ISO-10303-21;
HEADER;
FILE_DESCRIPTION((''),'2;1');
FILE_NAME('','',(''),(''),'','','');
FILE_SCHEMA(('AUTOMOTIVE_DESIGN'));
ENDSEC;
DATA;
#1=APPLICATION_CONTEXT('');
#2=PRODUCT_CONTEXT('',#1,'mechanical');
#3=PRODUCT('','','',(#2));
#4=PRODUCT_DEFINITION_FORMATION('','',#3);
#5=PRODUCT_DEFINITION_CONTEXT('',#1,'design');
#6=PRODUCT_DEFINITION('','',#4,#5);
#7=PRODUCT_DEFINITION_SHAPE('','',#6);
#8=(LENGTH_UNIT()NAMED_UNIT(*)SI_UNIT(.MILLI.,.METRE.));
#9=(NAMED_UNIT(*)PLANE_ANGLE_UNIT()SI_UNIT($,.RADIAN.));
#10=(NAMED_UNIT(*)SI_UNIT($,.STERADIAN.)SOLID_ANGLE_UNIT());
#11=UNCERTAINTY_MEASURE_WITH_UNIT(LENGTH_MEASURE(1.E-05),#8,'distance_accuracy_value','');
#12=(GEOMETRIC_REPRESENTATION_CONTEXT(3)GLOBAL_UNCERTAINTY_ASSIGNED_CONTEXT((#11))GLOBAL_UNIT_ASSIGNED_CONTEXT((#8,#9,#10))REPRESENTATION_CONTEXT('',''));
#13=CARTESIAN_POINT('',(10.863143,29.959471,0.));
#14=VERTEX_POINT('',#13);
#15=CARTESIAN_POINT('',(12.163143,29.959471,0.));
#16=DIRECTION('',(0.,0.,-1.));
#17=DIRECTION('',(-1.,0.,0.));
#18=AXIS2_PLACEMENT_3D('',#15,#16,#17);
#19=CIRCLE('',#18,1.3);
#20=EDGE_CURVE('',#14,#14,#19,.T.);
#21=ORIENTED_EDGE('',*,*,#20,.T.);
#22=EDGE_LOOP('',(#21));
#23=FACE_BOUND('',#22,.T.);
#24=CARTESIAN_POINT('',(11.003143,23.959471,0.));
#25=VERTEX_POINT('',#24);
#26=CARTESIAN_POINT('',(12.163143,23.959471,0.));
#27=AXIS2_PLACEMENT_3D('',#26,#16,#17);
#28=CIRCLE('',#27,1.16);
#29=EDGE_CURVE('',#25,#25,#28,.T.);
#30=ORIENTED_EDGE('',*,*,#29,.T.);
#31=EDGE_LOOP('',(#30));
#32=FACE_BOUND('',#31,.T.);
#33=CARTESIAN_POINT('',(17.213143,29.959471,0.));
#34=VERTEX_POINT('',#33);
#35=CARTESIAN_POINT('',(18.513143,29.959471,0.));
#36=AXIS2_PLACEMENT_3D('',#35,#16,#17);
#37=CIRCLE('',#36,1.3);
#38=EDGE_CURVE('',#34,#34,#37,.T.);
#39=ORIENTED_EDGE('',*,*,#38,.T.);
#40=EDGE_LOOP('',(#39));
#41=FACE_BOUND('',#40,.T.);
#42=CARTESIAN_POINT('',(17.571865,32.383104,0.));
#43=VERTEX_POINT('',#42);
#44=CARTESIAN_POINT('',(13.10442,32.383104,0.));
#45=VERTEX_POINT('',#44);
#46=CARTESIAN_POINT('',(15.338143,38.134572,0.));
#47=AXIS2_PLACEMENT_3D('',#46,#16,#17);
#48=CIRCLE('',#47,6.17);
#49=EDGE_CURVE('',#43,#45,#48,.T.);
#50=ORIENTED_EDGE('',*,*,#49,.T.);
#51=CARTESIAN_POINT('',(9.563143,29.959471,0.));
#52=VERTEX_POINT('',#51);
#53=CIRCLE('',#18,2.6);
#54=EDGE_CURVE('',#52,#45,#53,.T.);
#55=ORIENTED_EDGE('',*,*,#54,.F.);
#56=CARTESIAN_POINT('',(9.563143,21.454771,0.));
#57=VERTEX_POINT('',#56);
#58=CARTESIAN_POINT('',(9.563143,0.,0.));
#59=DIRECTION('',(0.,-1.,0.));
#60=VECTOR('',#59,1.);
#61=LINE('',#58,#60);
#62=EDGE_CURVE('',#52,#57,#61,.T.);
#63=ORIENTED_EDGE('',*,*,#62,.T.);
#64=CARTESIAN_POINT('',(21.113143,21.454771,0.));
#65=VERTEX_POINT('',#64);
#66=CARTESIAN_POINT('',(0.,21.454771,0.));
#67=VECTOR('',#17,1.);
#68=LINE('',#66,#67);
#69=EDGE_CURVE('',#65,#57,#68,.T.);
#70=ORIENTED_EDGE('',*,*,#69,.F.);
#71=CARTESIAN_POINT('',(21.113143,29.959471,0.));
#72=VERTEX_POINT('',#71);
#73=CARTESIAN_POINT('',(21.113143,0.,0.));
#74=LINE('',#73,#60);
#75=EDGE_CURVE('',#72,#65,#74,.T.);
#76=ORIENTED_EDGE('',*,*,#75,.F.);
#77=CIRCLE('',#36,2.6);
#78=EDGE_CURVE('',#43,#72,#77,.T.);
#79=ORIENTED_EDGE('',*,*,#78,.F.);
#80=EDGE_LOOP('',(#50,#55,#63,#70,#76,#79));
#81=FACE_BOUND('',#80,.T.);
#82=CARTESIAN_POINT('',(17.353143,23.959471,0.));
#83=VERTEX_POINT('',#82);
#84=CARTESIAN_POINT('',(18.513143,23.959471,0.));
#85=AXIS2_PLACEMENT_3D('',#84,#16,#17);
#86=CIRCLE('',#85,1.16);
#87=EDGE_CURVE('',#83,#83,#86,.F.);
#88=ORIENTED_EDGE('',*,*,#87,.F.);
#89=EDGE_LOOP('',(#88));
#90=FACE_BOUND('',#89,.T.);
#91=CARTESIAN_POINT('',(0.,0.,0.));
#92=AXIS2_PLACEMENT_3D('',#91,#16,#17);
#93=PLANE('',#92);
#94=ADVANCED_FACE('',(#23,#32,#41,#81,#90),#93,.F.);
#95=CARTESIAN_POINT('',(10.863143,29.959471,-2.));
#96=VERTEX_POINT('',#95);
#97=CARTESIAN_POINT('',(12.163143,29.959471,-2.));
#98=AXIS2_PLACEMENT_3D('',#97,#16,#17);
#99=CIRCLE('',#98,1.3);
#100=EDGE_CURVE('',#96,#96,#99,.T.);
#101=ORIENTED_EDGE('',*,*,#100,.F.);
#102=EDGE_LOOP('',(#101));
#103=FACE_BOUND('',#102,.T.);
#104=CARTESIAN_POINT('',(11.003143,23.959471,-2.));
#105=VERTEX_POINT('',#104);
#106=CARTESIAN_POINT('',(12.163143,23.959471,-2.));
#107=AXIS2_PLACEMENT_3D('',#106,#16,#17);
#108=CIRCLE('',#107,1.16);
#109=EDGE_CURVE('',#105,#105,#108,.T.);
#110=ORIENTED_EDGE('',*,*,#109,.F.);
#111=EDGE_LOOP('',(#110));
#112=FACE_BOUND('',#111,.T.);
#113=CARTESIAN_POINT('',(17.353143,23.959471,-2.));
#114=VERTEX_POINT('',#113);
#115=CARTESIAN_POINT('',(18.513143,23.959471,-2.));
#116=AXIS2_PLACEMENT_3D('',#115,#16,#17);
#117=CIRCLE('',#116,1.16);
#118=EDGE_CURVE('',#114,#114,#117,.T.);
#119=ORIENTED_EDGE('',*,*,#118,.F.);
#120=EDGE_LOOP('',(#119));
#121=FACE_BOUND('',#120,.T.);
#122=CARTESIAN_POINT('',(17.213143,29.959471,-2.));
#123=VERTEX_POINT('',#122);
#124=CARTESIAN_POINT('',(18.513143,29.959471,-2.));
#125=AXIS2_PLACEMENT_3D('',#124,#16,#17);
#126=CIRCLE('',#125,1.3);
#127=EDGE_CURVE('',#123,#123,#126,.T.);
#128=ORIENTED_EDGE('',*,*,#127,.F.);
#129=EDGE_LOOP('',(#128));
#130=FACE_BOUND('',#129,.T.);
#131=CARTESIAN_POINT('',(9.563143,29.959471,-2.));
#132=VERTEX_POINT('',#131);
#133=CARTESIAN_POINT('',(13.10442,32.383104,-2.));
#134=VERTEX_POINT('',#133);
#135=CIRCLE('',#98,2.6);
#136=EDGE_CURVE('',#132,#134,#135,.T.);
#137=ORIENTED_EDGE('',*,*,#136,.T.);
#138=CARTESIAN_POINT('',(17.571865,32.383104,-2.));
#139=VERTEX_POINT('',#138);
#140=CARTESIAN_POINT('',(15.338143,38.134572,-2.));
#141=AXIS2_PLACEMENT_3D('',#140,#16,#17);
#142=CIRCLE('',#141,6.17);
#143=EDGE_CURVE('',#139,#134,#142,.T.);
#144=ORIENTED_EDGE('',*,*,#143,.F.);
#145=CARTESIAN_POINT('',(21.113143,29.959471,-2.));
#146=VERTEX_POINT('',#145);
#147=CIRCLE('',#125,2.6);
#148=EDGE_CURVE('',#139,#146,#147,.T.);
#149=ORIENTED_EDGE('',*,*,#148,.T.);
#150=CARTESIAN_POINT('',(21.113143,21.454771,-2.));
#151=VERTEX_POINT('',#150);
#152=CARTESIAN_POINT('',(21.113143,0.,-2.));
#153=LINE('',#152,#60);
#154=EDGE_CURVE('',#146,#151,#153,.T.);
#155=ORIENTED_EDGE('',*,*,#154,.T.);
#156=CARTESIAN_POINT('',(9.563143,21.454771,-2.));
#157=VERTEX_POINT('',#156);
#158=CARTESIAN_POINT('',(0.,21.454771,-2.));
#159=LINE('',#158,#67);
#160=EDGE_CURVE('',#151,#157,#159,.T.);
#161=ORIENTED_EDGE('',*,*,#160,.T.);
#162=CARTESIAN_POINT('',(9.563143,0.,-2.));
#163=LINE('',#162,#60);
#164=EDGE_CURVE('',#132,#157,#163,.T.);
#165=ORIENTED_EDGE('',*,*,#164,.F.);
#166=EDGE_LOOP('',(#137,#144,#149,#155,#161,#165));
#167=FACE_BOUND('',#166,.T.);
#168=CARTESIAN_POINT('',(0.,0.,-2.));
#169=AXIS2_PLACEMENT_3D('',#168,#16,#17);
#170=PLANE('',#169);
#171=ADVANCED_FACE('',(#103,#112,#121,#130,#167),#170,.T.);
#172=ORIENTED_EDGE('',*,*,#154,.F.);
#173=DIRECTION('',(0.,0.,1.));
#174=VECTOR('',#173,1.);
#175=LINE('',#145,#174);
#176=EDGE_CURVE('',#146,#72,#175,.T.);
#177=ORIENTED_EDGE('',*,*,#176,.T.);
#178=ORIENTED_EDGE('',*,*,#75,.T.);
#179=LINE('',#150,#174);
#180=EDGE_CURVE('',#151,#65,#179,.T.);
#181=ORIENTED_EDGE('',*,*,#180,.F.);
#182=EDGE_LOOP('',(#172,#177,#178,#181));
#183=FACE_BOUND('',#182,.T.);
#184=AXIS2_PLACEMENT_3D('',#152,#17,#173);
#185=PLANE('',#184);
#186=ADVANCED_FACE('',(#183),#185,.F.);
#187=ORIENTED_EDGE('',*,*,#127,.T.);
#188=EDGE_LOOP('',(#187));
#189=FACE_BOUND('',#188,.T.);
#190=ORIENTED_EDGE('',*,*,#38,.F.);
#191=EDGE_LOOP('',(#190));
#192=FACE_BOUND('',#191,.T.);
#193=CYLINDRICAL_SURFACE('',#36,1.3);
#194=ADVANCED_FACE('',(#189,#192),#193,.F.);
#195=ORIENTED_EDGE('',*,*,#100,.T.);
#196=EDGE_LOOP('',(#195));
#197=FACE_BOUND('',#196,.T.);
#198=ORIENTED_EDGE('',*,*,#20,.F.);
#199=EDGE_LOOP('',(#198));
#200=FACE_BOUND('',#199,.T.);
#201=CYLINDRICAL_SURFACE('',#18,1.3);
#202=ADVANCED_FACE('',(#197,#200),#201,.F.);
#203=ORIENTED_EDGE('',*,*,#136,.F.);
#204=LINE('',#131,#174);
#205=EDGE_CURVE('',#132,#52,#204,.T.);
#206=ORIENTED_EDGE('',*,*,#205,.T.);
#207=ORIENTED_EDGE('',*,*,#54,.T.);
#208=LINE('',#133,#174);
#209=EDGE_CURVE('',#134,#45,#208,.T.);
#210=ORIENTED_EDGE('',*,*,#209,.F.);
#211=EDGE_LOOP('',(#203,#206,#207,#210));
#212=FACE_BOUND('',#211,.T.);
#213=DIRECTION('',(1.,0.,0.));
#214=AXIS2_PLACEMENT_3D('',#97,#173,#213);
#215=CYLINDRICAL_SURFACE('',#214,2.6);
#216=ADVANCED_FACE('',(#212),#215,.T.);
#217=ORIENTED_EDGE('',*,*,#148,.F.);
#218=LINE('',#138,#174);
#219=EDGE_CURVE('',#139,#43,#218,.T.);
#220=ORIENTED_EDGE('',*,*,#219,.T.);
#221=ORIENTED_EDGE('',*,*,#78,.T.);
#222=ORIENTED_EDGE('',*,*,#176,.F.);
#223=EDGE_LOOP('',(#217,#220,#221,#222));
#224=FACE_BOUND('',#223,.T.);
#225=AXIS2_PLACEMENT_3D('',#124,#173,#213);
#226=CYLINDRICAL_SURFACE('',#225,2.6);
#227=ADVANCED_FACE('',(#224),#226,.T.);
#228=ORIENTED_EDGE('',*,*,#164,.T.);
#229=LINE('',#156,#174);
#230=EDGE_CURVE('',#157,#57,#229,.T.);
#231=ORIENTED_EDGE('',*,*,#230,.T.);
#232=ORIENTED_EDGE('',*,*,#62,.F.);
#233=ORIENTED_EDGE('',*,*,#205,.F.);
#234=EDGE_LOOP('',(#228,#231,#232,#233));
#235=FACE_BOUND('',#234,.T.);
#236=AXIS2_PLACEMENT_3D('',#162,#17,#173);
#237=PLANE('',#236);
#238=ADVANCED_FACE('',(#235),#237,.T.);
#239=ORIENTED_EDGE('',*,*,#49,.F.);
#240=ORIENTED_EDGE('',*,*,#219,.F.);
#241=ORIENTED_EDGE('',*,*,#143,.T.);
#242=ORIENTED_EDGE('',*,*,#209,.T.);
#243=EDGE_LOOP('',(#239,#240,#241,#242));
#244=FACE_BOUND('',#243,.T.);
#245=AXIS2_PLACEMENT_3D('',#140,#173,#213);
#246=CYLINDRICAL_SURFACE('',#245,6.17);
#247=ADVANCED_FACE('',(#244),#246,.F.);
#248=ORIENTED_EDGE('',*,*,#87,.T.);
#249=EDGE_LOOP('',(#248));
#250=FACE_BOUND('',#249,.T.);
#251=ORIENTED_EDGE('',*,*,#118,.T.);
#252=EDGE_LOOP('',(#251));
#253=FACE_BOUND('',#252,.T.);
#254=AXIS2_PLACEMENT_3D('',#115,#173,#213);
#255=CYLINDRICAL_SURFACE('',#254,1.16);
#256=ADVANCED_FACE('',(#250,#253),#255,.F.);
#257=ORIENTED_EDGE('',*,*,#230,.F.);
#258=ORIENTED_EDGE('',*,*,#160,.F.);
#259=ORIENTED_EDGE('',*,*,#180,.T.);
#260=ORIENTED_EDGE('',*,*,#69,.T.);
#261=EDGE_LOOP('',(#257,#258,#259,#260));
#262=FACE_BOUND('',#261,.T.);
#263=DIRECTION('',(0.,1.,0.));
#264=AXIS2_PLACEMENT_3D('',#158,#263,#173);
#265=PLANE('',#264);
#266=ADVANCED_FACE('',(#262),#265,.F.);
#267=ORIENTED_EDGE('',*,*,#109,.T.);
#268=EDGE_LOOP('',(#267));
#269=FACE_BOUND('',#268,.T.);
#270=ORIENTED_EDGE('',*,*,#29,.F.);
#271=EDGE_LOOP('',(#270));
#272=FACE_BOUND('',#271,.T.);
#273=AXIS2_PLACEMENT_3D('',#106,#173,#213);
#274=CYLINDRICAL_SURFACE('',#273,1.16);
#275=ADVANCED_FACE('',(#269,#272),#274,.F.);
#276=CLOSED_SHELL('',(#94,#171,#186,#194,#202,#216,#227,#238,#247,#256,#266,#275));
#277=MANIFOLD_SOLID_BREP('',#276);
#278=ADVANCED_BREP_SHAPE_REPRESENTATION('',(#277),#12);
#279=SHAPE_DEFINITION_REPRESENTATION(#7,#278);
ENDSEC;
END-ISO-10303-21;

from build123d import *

# Parameters (mm, degrees)
BOSS_EXTRUDE1_DEPTH = 6.18
SKETCH2_R           = 2.1
CUT_EXTRUDE1_DEPTH  = 45.955560266
FILLET1_R           = 2
SKETCH3_R           = 1.16
BOSS_EXTRUDE2_DEPTH = 2
SKETCH5_W           = 46.23261583
SKETCH5_H           = 41.700006435
CUT_EXTRUDE2_DEPTH  = 6.18
SKETCH9_R           = 1.3
CUT_EXTRUDE3_DEPTH  = 39.857224753


with BuildPart() as part:
    # Sketch1 → Boss-Extrude1 (new body)
    with BuildSketch(Plane.XY):
        Polygon((0, 0), (0, 10), (7.5, 10), (12.499244943, 14.999244943), (12.499244943, 34.4), (24.749244943, 34.4), (24.749244943, 14.999244943), (29.748489886, 10), (37.248489886, 10), (37.248489886, 0), align=None)
    extrude(amount=BOSS_EXTRUDE1_DEPTH)

    # Sketch2 → Cut-Extrude1 (cut, through all)
    with BuildSketch(Plane(origin=(0, 10, 0), x_dir=(1, 0, 0), z_dir=(0, 1, 0))):
        with Locations(Location((3.75, -3.09, 0), (0, 0, 270))):
            Circle(SKETCH2_R)
        with Locations(Location((33.498489886, -3.09, 0), (0, 0, 270))):
            Circle(SKETCH2_R)
    extrude(amount=-CUT_EXTRUDE1_DEPTH, mode=Mode.SUBTRACT)

    # Fillet1
    fillet1_edges = [part.edges().sort_by_distance(p)[0] for p in [
        (0, 5, 0),
        (37.248489886, 5, 0),
        (12.499244943, 34.4, 3.09),
        (24.749244943, 34.4, 3.09),
        (0, 5, 6.18),
        (37.248489886, 5, 6.18),
    ]]
    fillet(fillet1_edges, radius=FILLET1_R)

    # Sketch3 → Boss-Extrude2 (add)
    # profile 1 of 15: a face of its own
    with BuildSketch(Plane(origin=(0, 0, 0), x_dir=(-1, 0, 0), z_dir=(0, 0, -1))):
        with BuildLine():
            Line((-14.76314253, 29.959470635), (-15.91314253, 29.959470635))
            ThreePointArc((-15.91314253, 29.959470635), (-18.51314253, 27.359470635), (-21.11314253, 29.959470635))
            Line((-21.11314253, 29.959470635), (-21.11314253, 21.454771123))
            Line((-21.11314253, 21.454771123), (-12.499244943, 21.454771123))
            Line((-12.499244943, 21.454771123), (-12.499244943, 22.849229594))
            ThreePointArc((-12.499244943, 22.849229594), (-13.32314253, 23.959470635), (-12.499244943, 25.069711675))
            Line((-12.499244943, 25.069711675), (-12.499244943, 27.381286163))
            ThreePointArc((-12.499244943, 27.381286163), (-14.116839829, 28.243933732), (-14.76314253, 29.959470635))
        make_face()
        with Locations((-18.51314253, 23.959470635)):
            Circle(SKETCH3_R, mode=Mode.SUBTRACT)
    # profile 2 of 15: a face of its own
    with BuildSketch(Plane(origin=(0, 0, 0), x_dir=(-1, 0, 0), z_dir=(0, 0, -1))):
        with BuildLine():
            ThreePointArc((-9.56314253, 29.959470635), (-10.447605628, 28.005773335), (-12.499244943, 27.381286163))
            Line((-12.499244943, 27.381286163), (-12.499244943, 25.069711675))
            ThreePointArc((-12.499244943, 25.069711675), (-11.47186791, 24.890995943), (-11.00314253, 23.959470635))
            ThreePointArc((-11.00314253, 23.959470635), (-11.47186791, 23.027945327), (-12.499244943, 22.849229594))
            Line((-12.499244943, 22.849229594), (-12.499244943, 21.454771123))
            Line((-12.499244943, 21.454771123), (-9.56314253, 21.454771123))
            Line((-9.56314253, 21.454771123), (-9.56314253, 29.959470635))
        make_face()
    # profile 3 of 15: a face of its own
    with BuildSketch(Plane(origin=(0, 0, 0), x_dir=(-1, 0, 0), z_dir=(0, 0, -1))):
        with BuildLine():
            Line((-13.31814253, 29.959470635), (-14.76314253, 29.959470635))
            ThreePointArc((-14.76314253, 29.959470635), (-14.116839829, 28.243933732), (-12.499244943, 27.381286163))
            Line((-12.499244943, 27.381286163), (-12.499244943, 28.854454722))
            ThreePointArc((-12.499244943, 28.854454722), (-13.091103544, 29.271783673), (-13.31814253, 29.959470635))
        make_face()
    # profile 4 of 15: a face of its own
    with BuildSketch(Plane(origin=(0, 0, 0), x_dir=(-1, 0, 0), z_dir=(0, 0, -1))):
        with BuildLine():
            Line((-12.499244943, 28.854454722), (-12.499244943, 27.381286163))
            ThreePointArc((-12.499244943, 27.381286163), (-10.447605628, 28.005773335), (-9.56314253, 29.959470635))
            Line((-9.56314253, 29.959470635), (-11.00814253, 29.959470635))
            ThreePointArc((-11.00814253, 29.959470635), (-11.475455569, 29.031509621), (-12.499244943, 28.854454722))
        make_face()
    # profile 5 of 15: a face of its own
    with BuildSketch(Plane(origin=(0, 0, 0), x_dir=(-1, 0, 0), z_dir=(0, 0, -1))):
        with BuildLine():
            Line((-13.31814253, 29.959470635), (-14.76314253, 29.959470635))
            ThreePointArc((-14.76314253, 29.959470635), (-14.116839829, 28.243933732), (-12.499244943, 27.381286163))
            Line((-12.499244943, 27.381286163), (-12.499244943, 28.854454722))
            ThreePointArc((-12.499244943, 28.854454722), (-13.091103544, 29.271783673), (-13.31814253, 29.959470635))
        make_face()
    # profile 6 of 15: a face of its own
    with BuildSketch(Plane(origin=(0, 0, 0), x_dir=(-1, 0, 0), z_dir=(0, 0, -1))):
        with BuildLine():
            Line((-12.499244943, 28.854454722), (-12.499244943, 27.381286163))
            ThreePointArc((-12.499244943, 27.381286163), (-10.447605628, 28.005773335), (-9.56314253, 29.959470635))
            Line((-9.56314253, 29.959470635), (-11.00814253, 29.959470635))
            ThreePointArc((-11.00814253, 29.959470635), (-11.475455569, 29.031509621), (-12.499244943, 28.854454722))
        make_face()
    # profile 7 of 15: a face of its own
    with BuildSketch(Plane(origin=(0, 0, 0), x_dir=(-1, 0, 0), z_dir=(0, 0, -1))):
        with BuildLine():
            ThreePointArc((-13.104419545, 32.383103771), (-14.308756689, 31.427918755), (-14.76314253, 29.959470635))
            Line((-14.76314253, 29.959470635), (-13.31814253, 29.959470635))
            ThreePointArc((-13.31814253, 29.959470635), (-13.091103544, 30.647157596), (-12.499244943, 31.064486548))
            Line((-12.499244943, 31.064486548), (-12.499244943, 32.4))
            ThreePointArc((-12.499244943, 32.4), (-12.500420382, 32.468559287), (-12.503945319, 32.537037988))
            ThreePointArc((-12.503945319, 32.537037988), (-12.808786466, 32.478030522), (-13.104419545, 32.383103771))
        make_face()
    # profile 8 of 15: a face of its own
    with BuildSketch(Plane(origin=(0, 0, 0), x_dir=(-1, 0, 0), z_dir=(0, 0, -1))):
        with BuildLine():
            Line((-12.499244943, 32.4), (-12.499244943, 31.064486548))
            ThreePointArc((-12.499244943, 31.064486548), (-11.475455569, 30.887431649), (-11.00814253, 29.959470635))
            Line((-11.00814253, 29.959470635), (-9.56314253, 29.959470635))
            ThreePointArc((-9.56314253, 29.959470635), (-10.449387479, 31.914731135), (-12.503945319, 32.537037988))
            ThreePointArc((-12.503945319, 32.537037988), (-12.500420382, 32.468559287), (-12.499244943, 32.4))
        make_face()
    # profile 9 of 15: a face of its own
    with BuildSketch(Plane(origin=(0, 0, 0), x_dir=(-1, 0, 0), z_dir=(0, 0, -1))):
        with BuildLine():
            ThreePointArc((-13.104419545, 32.383103771), (-14.308756689, 31.427918755), (-14.76314253, 29.959470635))
            Line((-14.76314253, 29.959470635), (-13.31814253, 29.959470635))
            ThreePointArc((-13.31814253, 29.959470635), (-13.091103544, 30.647157596), (-12.499244943, 31.064486548))
            Line((-12.499244943, 31.064486548), (-12.499244943, 32.4))
            ThreePointArc((-12.499244943, 32.4), (-12.500420382, 32.468559287), (-12.503945319, 32.537037988))
            ThreePointArc((-12.503945319, 32.537037988), (-12.808786466, 32.478030522), (-13.104419545, 32.383103771))
        make_face()
    # profile 10 of 15: a face of its own
    with BuildSketch(Plane(origin=(0, 0, 0), x_dir=(-1, 0, 0), z_dir=(0, 0, -1))):
        with BuildLine():
            Line((-12.499244943, 32.4), (-12.499244943, 31.064486548))
            ThreePointArc((-12.499244943, 31.064486548), (-11.475455569, 30.887431649), (-11.00814253, 29.959470635))
            Line((-11.00814253, 29.959470635), (-9.56314253, 29.959470635))
            ThreePointArc((-9.56314253, 29.959470635), (-10.449387479, 31.914731135), (-12.503945319, 32.537037988))
            ThreePointArc((-12.503945319, 32.537037988), (-12.500420382, 32.468559287), (-12.499244943, 32.4))
        make_face()
    # profile 11 of 15: a face of its own
    with BuildSketch(Plane(origin=(0, 0, 0), x_dir=(-1, 0, 0), z_dir=(0, 0, -1))):
        with BuildLine():
            ThreePointArc((-19.66814253, 29.959470635), (-18.51314253, 31.114470635), (-17.35814253, 29.959470635))
            Line((-17.35814253, 29.959470635), (-15.91314253, 29.959470635))
            ThreePointArc((-15.91314253, 29.959470635), (-16.367528354, 31.42791873), (-17.571865459, 32.38310375))
            ThreePointArc((-17.571865459, 32.38310375), (-19.981590625, 32.105084811), (-21.11314253, 29.959470635))
            Line((-21.11314253, 29.959470635), (-19.66814253, 29.959470635))
        make_face()
    # profile 12 of 15: a face of its own
    with BuildSketch(Plane(origin=(0, 0, 0), x_dir=(-1, 0, 0), z_dir=(0, 0, -1))):
        with BuildLine():
            Line((-15.91314253, 29.959470635), (-17.35814253, 29.959470635))
            ThreePointArc((-17.35814253, 29.959470635), (-18.51314253, 28.804470635), (-19.66814253, 29.959470635))
            Line((-19.66814253, 29.959470635), (-21.11314253, 29.959470635))
            ThreePointArc((-21.11314253, 29.959470635), (-18.51314253, 27.359470635), (-15.91314253, 29.959470635))
        make_face()
    # profile 13 of 15: a face of its own
    with BuildSketch(Plane(origin=(0, 0, 0), x_dir=(-1, 0, 0), z_dir=(0, 0, -1))):
        with BuildLine():
            ThreePointArc((-19.66814253, 29.959470635), (-18.51314253, 31.114470635), (-17.35814253, 29.959470635))
            Line((-17.35814253, 29.959470635), (-15.91314253, 29.959470635))
            ThreePointArc((-15.91314253, 29.959470635), (-16.367528354, 31.42791873), (-17.571865459, 32.38310375))
            ThreePointArc((-17.571865459, 32.38310375), (-19.981590625, 32.105084811), (-21.11314253, 29.959470635))
            Line((-21.11314253, 29.959470635), (-19.66814253, 29.959470635))
        make_face()
    # profile 14 of 15: a face of its own
    with BuildSketch(Plane(origin=(0, 0, 0), x_dir=(-1, 0, 0), z_dir=(0, 0, -1))):
        with BuildLine():
            Line((-15.91314253, 29.959470635), (-17.35814253, 29.959470635))
            ThreePointArc((-17.35814253, 29.959470635), (-18.51314253, 28.804470635), (-19.66814253, 29.959470635))
            Line((-19.66814253, 29.959470635), (-21.11314253, 29.959470635))
            ThreePointArc((-21.11314253, 29.959470635), (-18.51314253, 27.359470635), (-15.91314253, 29.959470635))
        make_face()
    # profile 15 of 15: a face of its own
    with BuildSketch(Plane(origin=(0, 0, 0), x_dir=(-1, 0, 0), z_dir=(0, 0, -1))):
        with BuildLine():
            ThreePointArc((-17.571865459, 32.38310375), (-16.367528354, 31.42791873), (-15.91314253, 29.959470635))
            Line((-15.91314253, 29.959470635), (-14.76314253, 29.959470635))
            ThreePointArc((-14.76314253, 29.959470635), (-14.308756689, 31.427918755), (-13.104419545, 32.383103771))
            ThreePointArc((-13.104419545, 32.383103771), (-15.3381425, 31.964571551), (-17.571865459, 32.38310375))
        make_face()
    extrude(amount=BOSS_EXTRUDE2_DEPTH)

    # Sketch5 → Cut-Extrude2 (cut)
    with BuildSketch(Plane.XY.offset(6.18)):
        with Locations((18.136117777, 17.095401322)):
            Rectangle(SKETCH5_W, SKETCH5_H)
    extrude(amount=-CUT_EXTRUDE2_DEPTH, mode=Mode.SUBTRACT)

    # Sketch9 → Cut-Extrude3 (cut, through all)
    with BuildSketch(Plane(origin=(0, 0, -2), x_dir=(-1, 0, 0), z_dir=(0, 0, -1))):
        with Locations((-18.51314253, 29.959470635)):
            Circle(SKETCH9_R)
        with Locations((-12.16314253, 29.959470635)):
            Circle(SKETCH9_R)
    extrude(amount=-CUT_EXTRUDE3_DEPTH, mode=Mode.SUBTRACT)


solid = part.part
